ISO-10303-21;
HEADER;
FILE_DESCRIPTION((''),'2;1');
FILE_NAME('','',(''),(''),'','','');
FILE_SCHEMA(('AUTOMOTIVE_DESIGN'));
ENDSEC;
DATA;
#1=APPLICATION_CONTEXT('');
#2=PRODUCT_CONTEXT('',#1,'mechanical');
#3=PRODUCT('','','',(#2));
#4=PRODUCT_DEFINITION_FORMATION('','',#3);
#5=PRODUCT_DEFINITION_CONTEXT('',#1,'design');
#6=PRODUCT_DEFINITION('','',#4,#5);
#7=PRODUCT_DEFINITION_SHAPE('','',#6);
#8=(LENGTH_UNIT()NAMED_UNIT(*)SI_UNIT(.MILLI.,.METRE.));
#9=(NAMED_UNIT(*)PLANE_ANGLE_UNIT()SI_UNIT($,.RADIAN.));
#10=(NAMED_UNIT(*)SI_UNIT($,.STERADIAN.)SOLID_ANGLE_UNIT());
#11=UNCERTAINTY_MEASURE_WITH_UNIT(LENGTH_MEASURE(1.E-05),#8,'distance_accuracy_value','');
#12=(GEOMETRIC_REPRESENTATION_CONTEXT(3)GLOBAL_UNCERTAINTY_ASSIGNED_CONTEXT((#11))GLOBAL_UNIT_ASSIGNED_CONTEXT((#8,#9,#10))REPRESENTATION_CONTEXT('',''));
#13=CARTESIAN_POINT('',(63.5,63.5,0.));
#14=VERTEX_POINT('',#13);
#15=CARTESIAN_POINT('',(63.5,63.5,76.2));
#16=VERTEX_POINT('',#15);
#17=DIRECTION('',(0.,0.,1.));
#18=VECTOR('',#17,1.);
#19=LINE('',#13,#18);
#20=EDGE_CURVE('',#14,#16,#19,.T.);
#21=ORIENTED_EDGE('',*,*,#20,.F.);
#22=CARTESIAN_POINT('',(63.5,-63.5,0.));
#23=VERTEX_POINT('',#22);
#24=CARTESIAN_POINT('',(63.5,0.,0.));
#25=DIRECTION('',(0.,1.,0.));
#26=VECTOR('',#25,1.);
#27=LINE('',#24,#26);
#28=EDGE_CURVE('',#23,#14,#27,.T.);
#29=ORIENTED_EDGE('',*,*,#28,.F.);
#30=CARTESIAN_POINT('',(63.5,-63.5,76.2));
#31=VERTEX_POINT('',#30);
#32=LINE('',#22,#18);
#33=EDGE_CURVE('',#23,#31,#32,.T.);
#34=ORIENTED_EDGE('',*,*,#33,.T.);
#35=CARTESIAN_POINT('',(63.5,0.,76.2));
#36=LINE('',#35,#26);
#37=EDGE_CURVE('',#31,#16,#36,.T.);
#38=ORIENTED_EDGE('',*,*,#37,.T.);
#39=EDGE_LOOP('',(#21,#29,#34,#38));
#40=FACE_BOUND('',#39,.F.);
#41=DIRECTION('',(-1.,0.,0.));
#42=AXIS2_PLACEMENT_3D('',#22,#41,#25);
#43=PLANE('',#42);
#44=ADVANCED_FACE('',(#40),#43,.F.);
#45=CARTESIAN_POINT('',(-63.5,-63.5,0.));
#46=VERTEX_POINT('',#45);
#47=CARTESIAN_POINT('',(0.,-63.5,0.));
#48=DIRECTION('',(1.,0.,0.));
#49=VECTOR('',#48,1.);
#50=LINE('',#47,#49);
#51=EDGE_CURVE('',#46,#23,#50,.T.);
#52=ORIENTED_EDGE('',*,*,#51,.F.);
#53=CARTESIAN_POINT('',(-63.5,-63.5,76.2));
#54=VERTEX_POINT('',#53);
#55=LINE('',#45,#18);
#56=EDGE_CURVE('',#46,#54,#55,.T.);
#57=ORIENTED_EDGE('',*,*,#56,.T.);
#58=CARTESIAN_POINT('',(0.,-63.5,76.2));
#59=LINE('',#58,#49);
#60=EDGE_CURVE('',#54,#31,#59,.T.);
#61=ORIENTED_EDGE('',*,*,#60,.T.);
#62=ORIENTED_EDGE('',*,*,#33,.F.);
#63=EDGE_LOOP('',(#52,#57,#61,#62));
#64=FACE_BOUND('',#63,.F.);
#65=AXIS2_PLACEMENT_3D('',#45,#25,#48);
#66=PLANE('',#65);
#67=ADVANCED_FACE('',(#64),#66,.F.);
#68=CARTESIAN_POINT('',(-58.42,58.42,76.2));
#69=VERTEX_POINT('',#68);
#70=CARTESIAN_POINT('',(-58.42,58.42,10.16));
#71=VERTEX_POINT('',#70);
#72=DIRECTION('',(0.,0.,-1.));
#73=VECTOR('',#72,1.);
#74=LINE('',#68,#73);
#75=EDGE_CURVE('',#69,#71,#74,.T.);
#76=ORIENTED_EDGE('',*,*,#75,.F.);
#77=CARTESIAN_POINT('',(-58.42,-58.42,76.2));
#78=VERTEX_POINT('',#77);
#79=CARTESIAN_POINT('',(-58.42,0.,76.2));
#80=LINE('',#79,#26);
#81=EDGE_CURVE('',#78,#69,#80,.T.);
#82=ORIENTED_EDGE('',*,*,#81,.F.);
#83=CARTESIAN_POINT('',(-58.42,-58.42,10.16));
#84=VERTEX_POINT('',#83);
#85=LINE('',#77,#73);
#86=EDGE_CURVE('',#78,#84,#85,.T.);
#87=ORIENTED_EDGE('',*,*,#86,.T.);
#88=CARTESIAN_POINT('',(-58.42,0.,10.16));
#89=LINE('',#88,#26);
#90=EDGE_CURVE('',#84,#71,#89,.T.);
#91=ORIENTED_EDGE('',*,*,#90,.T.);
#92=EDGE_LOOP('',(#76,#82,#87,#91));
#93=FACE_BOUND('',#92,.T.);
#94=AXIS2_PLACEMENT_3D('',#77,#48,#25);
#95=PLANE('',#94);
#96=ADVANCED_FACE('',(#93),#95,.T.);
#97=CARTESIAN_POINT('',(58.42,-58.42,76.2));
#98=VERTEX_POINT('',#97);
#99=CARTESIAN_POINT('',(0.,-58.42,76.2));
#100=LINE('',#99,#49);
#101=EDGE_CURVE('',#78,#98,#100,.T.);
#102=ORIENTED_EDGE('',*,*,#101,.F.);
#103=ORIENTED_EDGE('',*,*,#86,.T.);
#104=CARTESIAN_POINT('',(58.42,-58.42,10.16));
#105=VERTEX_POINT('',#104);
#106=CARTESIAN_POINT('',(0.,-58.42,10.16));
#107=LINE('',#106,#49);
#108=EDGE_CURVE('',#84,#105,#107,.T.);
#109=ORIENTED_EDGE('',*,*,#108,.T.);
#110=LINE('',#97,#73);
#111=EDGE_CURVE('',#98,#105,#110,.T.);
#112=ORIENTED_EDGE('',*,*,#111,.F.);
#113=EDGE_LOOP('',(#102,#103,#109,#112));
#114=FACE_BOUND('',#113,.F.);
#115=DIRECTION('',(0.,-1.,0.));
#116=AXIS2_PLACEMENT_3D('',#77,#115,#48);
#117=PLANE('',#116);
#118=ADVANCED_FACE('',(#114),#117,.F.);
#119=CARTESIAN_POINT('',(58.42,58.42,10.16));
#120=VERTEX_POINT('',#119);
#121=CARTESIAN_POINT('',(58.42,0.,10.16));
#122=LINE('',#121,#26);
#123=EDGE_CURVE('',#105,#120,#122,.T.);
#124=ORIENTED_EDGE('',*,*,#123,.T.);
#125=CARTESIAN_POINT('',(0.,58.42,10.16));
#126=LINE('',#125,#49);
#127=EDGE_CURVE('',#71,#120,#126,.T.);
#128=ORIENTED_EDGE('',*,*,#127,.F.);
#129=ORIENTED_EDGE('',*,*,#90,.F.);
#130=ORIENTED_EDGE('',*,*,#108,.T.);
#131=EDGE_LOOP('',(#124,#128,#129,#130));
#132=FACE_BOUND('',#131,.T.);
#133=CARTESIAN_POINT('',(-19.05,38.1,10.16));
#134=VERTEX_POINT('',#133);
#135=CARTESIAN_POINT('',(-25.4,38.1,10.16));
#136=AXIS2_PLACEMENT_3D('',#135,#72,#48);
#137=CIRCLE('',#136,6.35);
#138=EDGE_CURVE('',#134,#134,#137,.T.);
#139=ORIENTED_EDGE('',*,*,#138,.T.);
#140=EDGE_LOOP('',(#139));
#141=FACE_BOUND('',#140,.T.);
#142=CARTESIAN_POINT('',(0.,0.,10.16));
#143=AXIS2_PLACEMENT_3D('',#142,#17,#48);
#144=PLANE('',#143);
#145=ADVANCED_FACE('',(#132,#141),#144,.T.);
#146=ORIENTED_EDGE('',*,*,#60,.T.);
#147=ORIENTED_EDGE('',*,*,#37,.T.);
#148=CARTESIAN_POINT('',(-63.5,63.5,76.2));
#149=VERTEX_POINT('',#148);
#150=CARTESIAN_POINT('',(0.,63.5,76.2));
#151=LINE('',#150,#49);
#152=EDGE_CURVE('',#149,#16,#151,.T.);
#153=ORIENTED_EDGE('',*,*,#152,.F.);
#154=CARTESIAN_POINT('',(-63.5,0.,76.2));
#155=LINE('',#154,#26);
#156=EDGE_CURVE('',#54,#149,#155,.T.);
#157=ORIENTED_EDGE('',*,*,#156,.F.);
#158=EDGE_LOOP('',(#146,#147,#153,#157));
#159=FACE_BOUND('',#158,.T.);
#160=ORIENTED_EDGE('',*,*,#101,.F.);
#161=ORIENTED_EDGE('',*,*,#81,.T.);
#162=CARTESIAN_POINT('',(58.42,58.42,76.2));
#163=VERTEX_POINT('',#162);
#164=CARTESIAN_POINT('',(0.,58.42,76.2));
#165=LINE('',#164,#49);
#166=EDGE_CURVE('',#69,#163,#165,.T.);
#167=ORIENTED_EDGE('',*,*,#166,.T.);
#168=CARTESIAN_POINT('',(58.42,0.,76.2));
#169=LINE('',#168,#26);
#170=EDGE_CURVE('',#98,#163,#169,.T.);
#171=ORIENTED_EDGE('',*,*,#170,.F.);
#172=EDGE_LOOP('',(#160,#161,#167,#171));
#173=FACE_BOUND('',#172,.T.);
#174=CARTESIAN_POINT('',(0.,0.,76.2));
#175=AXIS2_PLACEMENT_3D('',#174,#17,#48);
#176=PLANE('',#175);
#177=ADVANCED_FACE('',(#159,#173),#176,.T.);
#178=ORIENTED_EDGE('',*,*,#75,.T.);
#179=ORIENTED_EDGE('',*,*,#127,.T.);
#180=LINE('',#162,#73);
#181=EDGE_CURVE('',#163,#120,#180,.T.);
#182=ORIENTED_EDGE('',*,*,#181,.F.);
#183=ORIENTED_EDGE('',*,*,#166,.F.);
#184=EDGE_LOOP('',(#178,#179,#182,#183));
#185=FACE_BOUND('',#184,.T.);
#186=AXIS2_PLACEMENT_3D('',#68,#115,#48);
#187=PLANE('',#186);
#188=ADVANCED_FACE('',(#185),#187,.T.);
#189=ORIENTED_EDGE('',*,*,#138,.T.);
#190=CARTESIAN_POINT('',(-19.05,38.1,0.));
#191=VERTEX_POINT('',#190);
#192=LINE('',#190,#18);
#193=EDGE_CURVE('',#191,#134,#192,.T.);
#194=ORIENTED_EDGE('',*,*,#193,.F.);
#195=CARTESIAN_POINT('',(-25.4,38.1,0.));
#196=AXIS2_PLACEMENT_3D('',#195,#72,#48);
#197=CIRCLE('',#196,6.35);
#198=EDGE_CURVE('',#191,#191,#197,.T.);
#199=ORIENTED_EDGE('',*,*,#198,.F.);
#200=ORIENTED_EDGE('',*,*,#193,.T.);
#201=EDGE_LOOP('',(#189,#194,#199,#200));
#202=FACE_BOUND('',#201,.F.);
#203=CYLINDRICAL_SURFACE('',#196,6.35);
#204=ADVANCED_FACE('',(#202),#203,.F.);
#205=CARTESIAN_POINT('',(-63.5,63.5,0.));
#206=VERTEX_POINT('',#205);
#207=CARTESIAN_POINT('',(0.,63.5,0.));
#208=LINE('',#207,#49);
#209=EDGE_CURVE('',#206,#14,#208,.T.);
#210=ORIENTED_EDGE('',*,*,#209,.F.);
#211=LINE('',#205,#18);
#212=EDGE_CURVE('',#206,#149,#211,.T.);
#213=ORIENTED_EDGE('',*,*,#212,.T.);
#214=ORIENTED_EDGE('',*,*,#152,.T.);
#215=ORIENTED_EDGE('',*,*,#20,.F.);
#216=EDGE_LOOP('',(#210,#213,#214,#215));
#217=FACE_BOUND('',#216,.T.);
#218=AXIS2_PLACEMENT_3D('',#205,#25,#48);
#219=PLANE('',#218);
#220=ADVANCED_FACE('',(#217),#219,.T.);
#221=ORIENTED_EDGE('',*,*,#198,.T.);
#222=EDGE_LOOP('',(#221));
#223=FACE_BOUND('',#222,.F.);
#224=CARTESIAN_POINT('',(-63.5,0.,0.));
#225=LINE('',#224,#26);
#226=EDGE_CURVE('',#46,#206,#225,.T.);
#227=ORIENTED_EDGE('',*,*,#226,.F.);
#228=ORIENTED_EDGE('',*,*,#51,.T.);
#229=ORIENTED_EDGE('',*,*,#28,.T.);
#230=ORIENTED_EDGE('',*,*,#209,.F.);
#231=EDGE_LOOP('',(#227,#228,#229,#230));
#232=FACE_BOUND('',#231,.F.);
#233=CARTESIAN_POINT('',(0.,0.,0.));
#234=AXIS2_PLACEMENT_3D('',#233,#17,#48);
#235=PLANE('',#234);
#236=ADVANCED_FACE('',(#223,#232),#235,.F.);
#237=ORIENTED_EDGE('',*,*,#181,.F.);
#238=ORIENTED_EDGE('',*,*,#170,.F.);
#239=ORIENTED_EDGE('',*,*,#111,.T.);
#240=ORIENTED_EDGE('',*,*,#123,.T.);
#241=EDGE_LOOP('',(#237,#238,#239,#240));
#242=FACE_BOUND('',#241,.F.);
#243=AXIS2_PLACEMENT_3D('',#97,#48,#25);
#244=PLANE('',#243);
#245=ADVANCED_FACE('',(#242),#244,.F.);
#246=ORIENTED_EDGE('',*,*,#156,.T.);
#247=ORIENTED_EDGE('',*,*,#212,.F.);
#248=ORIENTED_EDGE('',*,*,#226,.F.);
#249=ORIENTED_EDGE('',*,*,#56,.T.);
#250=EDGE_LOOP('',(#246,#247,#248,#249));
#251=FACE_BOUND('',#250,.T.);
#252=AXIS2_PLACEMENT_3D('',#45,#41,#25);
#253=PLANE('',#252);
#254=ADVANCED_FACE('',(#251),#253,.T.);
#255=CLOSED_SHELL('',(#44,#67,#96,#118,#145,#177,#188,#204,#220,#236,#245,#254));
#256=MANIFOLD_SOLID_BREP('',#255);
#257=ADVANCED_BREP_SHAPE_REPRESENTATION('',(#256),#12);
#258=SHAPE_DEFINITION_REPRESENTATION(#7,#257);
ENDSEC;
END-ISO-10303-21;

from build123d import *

# Parameters (mm, degrees)
F0_W     = 127
F0_H     = 127
F1_DEPTH = 76.2
F2_W     = 116.84
F2_H     = 116.84
F3_DEPTH = 66.04
F4_R     = 6.35
F5_DEPTH = 76.201


with BuildPart() as f1:
    # F0 (on Top) → F1 (new body)
    with BuildSketch(Plane.XY):
        Rectangle(F0_W, F0_H)
    extrude(amount=F1_DEPTH)

    # F2 (on face) → F3 (cut)
    with BuildSketch(Plane.XY.offset(76.2)):
        Rectangle(F2_W, F2_H)
    extrude(amount=-F3_DEPTH, mode=Mode.SUBTRACT)

    # F4 (on face) → F5 (cut, through all)
    with BuildSketch(Plane(origin=(0, 0, 0), x_dir=(1, 0, 0), z_dir=(0, 0, -1))):
        with Locations((-25.4, -38.1)):
            Circle(F4_R)
    extrude(amount=-F5_DEPTH, mode=Mode.SUBTRACT)


solid = f1.part
